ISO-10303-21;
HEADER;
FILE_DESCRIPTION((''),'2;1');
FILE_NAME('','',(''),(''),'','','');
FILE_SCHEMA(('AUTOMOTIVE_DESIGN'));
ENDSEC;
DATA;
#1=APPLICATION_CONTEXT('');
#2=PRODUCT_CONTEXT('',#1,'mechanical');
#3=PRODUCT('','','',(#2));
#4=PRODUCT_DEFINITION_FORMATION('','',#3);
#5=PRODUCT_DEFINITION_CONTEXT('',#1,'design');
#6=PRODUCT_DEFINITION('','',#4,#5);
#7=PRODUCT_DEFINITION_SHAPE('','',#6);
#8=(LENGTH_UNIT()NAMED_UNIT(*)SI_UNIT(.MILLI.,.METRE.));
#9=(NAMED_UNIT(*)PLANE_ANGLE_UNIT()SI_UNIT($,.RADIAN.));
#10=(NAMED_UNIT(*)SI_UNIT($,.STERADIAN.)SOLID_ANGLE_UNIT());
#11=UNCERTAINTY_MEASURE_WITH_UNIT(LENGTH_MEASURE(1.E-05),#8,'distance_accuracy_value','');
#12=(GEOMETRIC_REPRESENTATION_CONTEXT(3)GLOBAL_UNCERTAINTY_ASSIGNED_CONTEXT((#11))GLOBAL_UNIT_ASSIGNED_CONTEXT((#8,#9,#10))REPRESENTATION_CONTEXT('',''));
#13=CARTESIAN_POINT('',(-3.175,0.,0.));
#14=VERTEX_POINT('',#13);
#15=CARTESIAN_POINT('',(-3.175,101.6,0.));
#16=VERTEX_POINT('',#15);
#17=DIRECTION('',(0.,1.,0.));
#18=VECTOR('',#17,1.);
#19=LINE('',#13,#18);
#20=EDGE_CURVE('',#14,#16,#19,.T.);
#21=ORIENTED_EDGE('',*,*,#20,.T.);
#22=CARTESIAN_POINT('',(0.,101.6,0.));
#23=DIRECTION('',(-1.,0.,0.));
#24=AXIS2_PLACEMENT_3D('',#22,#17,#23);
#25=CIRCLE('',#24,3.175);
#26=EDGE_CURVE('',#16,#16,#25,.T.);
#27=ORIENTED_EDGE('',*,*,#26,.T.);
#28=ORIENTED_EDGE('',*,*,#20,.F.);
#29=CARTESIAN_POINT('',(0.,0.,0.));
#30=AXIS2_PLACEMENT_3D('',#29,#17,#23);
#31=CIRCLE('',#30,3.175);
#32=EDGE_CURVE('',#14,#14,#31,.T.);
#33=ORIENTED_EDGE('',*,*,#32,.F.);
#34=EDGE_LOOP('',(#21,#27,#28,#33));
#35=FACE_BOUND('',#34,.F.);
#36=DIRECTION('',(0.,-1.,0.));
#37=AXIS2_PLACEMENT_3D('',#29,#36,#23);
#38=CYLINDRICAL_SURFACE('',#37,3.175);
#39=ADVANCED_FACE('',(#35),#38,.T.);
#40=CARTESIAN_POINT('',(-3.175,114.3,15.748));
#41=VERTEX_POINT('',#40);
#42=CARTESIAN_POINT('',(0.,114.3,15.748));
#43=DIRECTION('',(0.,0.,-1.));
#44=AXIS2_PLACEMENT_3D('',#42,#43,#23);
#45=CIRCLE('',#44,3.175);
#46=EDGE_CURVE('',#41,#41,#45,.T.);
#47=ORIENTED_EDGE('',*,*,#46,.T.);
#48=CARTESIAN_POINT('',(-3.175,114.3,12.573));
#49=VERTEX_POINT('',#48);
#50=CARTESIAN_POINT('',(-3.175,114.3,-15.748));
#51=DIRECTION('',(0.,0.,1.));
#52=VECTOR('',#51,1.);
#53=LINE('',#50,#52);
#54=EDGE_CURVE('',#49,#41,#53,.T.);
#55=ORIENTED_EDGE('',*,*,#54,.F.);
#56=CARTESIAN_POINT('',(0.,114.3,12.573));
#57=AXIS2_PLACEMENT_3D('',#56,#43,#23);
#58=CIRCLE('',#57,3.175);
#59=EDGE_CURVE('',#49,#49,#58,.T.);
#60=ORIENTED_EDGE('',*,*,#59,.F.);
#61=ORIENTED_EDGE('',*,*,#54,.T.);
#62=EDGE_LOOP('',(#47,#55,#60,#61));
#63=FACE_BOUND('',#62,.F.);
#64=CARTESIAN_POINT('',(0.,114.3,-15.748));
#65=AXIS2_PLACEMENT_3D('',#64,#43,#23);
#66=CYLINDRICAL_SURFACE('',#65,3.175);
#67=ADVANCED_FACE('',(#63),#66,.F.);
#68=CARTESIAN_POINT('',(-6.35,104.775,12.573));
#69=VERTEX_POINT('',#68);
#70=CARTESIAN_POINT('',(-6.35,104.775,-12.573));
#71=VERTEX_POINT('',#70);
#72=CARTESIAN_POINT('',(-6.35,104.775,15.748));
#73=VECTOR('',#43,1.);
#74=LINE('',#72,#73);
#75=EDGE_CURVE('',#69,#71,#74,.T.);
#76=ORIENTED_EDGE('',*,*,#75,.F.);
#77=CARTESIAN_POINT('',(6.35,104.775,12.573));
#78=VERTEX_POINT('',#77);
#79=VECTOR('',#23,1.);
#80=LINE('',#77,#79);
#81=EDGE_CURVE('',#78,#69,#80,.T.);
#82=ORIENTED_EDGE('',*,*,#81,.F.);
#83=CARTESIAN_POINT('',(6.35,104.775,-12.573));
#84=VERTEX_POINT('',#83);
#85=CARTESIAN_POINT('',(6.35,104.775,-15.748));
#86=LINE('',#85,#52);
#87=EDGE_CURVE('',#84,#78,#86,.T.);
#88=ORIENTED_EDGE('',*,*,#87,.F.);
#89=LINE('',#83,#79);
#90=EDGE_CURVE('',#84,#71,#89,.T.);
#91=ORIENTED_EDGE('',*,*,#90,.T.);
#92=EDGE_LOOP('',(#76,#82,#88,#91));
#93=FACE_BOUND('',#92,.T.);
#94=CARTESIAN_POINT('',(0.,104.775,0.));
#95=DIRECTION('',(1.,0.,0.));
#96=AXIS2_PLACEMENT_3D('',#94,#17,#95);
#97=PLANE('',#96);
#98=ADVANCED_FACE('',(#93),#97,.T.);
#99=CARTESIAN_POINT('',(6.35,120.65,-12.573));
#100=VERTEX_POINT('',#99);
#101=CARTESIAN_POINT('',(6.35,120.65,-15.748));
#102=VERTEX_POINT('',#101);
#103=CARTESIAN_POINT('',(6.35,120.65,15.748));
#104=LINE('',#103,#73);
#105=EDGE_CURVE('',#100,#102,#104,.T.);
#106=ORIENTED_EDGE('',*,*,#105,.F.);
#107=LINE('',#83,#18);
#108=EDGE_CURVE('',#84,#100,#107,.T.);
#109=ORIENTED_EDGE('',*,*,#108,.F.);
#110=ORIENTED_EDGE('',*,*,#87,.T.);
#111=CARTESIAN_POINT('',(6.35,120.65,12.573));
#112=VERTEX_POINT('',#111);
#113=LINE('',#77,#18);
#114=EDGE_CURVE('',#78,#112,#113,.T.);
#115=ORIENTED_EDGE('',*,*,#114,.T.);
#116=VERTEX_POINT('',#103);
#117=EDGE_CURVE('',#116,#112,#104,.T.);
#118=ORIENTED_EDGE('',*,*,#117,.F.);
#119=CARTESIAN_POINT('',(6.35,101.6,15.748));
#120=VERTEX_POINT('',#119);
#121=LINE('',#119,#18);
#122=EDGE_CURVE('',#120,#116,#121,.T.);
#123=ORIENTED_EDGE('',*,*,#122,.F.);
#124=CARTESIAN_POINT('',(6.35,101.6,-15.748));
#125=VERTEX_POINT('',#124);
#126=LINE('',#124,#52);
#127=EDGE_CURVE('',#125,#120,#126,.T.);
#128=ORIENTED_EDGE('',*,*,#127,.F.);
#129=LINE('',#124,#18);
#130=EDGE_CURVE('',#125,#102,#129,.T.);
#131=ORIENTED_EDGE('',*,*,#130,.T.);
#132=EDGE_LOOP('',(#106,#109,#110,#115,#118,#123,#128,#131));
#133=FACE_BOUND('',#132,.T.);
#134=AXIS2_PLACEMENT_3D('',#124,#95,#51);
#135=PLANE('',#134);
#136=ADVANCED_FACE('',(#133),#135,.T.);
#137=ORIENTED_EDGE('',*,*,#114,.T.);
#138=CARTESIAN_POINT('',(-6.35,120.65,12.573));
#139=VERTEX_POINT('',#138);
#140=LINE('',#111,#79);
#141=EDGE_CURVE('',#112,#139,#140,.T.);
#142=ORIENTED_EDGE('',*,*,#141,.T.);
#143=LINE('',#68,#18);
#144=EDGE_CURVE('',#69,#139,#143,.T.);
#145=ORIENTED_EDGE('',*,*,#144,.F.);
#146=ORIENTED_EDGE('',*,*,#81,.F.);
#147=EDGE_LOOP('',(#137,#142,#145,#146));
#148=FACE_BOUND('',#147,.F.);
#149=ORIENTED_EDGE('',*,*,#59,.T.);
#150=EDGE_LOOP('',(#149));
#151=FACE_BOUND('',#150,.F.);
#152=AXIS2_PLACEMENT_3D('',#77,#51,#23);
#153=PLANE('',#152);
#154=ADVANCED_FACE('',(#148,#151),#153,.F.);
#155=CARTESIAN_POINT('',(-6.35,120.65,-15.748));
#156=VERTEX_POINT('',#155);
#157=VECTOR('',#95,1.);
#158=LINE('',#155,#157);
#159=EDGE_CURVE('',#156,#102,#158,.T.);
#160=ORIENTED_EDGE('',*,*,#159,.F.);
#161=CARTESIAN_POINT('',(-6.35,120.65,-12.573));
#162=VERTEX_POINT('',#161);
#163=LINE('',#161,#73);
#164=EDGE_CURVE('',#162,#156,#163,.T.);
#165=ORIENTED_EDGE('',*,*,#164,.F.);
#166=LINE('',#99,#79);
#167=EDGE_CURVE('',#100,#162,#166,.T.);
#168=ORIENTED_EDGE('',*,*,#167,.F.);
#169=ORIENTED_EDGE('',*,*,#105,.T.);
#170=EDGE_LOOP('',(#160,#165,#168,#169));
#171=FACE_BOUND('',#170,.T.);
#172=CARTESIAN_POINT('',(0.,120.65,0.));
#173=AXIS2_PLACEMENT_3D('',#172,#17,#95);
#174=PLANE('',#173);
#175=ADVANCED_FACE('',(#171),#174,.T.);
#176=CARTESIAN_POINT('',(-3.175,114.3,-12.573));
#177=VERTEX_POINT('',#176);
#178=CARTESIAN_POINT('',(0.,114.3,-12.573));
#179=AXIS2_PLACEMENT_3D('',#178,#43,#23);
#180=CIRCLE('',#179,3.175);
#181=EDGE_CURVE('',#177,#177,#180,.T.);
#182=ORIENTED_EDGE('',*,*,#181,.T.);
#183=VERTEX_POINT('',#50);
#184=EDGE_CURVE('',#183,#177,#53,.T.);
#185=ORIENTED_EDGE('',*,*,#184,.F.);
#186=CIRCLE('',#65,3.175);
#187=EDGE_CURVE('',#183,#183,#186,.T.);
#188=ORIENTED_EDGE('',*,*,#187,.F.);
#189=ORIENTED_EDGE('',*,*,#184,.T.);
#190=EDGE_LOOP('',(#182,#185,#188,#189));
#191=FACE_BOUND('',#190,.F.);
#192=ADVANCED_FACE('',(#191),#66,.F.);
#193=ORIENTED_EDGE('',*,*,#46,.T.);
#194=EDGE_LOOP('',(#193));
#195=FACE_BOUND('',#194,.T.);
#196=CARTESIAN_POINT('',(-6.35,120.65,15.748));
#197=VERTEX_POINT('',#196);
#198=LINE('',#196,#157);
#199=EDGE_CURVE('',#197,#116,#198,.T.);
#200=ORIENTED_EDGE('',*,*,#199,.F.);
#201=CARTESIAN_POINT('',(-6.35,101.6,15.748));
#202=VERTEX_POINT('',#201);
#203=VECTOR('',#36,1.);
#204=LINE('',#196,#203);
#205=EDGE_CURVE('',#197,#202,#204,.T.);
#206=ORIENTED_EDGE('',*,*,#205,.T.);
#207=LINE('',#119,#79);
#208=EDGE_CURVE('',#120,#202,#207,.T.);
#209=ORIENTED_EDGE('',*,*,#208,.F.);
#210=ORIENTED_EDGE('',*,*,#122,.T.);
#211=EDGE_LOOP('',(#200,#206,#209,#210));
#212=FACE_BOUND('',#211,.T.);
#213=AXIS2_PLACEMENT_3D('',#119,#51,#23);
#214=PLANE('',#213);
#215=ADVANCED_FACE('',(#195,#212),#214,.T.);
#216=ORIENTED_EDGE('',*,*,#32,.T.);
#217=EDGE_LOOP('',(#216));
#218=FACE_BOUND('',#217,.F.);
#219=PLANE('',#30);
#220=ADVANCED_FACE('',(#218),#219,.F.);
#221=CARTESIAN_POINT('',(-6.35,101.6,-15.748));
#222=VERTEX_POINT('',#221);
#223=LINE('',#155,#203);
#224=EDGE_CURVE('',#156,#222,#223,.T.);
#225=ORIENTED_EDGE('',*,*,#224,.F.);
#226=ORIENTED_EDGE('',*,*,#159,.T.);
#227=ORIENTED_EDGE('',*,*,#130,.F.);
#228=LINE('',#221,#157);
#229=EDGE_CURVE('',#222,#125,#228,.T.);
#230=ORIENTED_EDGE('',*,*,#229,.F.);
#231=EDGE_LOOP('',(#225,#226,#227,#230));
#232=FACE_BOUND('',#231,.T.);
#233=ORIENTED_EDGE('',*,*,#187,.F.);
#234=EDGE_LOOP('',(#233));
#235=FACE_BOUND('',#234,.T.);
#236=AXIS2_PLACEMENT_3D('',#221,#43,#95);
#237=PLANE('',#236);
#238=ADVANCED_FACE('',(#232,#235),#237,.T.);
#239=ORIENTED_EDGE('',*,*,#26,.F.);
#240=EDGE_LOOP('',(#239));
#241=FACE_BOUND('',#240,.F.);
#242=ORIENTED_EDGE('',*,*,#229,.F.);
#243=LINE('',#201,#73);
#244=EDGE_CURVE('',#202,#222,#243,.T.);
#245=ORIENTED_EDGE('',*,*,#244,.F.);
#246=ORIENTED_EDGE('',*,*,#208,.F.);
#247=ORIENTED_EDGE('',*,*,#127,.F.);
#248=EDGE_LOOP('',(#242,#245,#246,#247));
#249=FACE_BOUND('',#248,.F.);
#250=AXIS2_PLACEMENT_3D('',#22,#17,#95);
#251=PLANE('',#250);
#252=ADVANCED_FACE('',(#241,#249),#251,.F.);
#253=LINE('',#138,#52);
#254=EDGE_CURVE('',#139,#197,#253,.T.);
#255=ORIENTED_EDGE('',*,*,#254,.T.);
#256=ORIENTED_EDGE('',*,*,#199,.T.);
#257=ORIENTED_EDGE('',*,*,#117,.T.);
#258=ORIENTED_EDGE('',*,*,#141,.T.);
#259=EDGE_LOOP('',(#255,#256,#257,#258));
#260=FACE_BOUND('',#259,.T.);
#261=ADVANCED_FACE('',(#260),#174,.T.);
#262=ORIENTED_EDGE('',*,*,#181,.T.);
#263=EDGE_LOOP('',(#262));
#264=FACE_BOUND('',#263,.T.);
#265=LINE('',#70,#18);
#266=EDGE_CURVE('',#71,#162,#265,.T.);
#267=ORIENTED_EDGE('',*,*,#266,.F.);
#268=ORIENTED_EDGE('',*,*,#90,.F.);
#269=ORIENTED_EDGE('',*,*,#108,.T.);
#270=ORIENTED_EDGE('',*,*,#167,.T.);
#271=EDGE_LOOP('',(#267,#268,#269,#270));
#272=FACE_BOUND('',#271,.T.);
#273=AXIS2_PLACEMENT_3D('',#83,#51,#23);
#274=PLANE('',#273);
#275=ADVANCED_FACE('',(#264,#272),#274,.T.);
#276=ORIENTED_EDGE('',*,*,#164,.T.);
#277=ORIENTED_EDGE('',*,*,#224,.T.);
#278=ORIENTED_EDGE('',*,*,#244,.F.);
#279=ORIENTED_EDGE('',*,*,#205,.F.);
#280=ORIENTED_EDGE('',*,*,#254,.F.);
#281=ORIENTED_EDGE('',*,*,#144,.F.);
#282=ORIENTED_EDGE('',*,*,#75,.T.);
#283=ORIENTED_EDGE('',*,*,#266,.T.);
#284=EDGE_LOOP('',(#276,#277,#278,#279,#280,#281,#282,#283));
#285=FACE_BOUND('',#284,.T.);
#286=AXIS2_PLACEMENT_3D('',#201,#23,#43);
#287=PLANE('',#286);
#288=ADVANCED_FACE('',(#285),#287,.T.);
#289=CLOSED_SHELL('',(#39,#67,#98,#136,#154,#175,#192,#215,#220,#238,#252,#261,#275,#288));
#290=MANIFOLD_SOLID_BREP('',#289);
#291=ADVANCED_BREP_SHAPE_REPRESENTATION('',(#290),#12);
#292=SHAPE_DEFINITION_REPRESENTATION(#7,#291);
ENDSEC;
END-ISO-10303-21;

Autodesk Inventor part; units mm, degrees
ref_plane "YZ Plane" through (0, 0, 0) normal (1, 0, 0) x (0, 1, 0)
ref_plane "XZ Plane" through (0, 0, 0) normal (0, 1, 0) x (-1, 0, 0)
ref_plane "XY Plane" through (0, 0, 0) normal (0, 0, 1) x (1, 0, 0)
sketch "Sketch1" plane through (0, 0, 0) normal (0, 1, 0) x (-1, 0, 0)
  circle A0 centre (0, 0) radius 3.175
  dimension "d0" = 6.35
extrude "Extrusion1" add sketch "Sketch1" along normal blind 101.6
sketch "Sketch2" plane through (0, 101.6, 0) normal (0, 1, 0) x (1, 0, 0)
  line L0 (6.35, -15.748) -> (-6.35, -15.748)
  line L1 (-6.35, -15.748) -> (-6.35, 15.748)
  line L2 (-6.35, 15.748) -> (6.35, 15.748)
  line L3 (6.35, 15.748) -> (6.35, -15.748)
  line L4 (6.35, -15.748) -> (-6.35, 15.748) construction
  line L5 (-6.35, -15.748) -> (6.35, 15.748) construction
  point P0 (0, 0)
  dimension "d3" = 12.7
  dimension "d4" = 31.496
extrude "Extrusion2" add sketch "Sketch2" along normal blind 3.175
sketch "Sketch3" plane through (0, 104.775, 0) normal (0, 1, 0) x (1, 0, 0)
  point P0 (0, 0)
sketch "Sketch4" plane through (0, 104.775, 0) normal (0, 1, 0) x (1, 0, 0)
  line L0 (6.35, -15.748) -> (6.35, 15.748) projected
  line L1 (-6.35, -15.748) -> (6.35, -15.748)
  line L2 (6.35, -15.748) -> (6.35, -12.573)
  line L3 (6.35, -12.573) -> (-6.35, -12.573)
  line L4 (-6.35, -12.573) -> (-6.35, -15.748)
  line L5 (-6.35, 15.748) -> (6.35, 15.748)
  line L6 (6.35, 15.748) -> (6.35, 12.573)
  line L7 (6.35, 12.573) -> (-6.35, 12.573)
  line L8 (-6.35, 12.573) -> (-6.35, 15.748)
  line L9 (6.35, 15.748) -> (-6.35, 15.748) projected
  point P0 (0, 0)
  dimension "d7" = 3.175
  dimension "d8" = 3.175
  dimension "d9" = 0
extrude "Extrusion3" add sketch "Sketch4" along normal blind 15.875
sketch "Sketch5" plane through (6.35, 101.6, -15.748) normal (0, 0, -1) x (-1, 0, 0)
  circle A0 centre (6.35, 12.7) radius 3.175
  line L0 (12.7, 0) -> (0, 0) projected
  point P0 (6.35, -101.6)
  dimension "d12" = 6.35
  dimension "d13" = 12.7
extrude "Extrusion4" cut sketch "Sketch5" against normal blind 50.8
properties part number "PC3.5-ROD"
